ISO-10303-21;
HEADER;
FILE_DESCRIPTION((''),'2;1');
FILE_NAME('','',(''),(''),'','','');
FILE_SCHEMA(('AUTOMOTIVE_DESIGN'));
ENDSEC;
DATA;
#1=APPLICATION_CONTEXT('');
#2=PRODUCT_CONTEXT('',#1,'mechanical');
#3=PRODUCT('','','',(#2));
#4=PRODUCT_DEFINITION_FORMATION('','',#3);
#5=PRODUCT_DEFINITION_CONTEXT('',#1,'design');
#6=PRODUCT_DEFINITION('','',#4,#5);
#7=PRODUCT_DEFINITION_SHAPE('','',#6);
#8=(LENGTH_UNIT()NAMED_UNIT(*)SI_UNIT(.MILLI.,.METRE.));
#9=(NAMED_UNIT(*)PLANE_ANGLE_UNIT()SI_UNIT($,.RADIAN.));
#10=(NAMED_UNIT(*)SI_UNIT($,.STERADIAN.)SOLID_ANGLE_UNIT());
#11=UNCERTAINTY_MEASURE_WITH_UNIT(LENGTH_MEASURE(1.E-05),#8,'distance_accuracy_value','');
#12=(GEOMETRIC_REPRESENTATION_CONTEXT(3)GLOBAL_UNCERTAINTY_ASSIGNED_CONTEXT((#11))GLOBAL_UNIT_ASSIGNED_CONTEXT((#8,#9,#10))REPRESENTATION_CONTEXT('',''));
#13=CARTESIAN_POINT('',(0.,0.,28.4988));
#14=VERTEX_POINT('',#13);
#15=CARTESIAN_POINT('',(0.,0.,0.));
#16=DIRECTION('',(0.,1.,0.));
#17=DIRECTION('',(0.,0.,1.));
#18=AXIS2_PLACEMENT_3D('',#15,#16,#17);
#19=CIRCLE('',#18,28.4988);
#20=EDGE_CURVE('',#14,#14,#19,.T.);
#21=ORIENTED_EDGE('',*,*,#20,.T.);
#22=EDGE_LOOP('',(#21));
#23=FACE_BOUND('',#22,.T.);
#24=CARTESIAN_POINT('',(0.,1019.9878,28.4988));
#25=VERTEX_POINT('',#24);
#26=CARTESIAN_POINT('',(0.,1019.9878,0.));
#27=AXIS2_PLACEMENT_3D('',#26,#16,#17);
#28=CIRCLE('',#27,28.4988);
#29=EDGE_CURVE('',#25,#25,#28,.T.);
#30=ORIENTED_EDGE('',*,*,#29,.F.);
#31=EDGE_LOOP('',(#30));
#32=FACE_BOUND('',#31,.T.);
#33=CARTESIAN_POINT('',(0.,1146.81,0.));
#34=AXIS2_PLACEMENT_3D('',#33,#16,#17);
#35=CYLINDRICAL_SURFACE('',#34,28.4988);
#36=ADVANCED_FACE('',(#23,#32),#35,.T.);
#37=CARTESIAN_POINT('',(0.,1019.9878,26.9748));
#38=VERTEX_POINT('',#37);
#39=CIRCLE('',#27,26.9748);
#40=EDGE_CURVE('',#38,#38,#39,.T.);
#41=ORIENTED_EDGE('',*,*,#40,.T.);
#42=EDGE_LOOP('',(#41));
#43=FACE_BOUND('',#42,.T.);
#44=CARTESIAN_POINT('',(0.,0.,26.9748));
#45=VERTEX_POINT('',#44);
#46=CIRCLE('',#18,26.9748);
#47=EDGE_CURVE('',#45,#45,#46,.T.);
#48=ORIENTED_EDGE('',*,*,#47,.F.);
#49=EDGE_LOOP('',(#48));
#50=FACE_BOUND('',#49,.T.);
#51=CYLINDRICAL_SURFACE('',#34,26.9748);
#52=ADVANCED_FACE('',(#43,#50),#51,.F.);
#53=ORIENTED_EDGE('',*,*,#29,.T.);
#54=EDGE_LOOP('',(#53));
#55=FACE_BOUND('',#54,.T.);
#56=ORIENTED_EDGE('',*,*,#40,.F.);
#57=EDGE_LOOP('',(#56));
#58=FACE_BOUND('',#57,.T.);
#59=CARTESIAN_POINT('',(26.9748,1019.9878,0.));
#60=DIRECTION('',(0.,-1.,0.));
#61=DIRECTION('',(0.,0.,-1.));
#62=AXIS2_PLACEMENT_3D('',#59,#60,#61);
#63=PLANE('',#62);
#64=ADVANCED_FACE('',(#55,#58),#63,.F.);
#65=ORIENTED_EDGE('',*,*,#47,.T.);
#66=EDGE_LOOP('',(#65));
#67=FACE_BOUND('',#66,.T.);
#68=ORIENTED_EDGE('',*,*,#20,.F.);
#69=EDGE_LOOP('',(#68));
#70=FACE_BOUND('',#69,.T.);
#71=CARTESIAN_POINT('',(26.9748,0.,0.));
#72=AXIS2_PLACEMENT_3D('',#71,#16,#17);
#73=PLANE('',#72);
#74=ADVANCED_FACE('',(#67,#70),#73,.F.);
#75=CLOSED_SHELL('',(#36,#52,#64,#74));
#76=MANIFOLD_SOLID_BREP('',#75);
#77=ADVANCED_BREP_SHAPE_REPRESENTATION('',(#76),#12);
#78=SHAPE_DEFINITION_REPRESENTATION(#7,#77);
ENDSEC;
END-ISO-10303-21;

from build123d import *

# Parameters (mm, degrees)
SKETCH1_W = 1.524
SKETCH1_H = 1019.9878


with BuildPart() as part:
    # Sketch1 → Revolve1 (revolve)
    with BuildSketch(Plane.XY):
        with Locations((27.7368, 509.9939)):
            Rectangle(SKETCH1_W, SKETCH1_H)
    revolve(axis=Axis((0, 1146.81, 0), (0, -1, 0)))


solid = part.part
